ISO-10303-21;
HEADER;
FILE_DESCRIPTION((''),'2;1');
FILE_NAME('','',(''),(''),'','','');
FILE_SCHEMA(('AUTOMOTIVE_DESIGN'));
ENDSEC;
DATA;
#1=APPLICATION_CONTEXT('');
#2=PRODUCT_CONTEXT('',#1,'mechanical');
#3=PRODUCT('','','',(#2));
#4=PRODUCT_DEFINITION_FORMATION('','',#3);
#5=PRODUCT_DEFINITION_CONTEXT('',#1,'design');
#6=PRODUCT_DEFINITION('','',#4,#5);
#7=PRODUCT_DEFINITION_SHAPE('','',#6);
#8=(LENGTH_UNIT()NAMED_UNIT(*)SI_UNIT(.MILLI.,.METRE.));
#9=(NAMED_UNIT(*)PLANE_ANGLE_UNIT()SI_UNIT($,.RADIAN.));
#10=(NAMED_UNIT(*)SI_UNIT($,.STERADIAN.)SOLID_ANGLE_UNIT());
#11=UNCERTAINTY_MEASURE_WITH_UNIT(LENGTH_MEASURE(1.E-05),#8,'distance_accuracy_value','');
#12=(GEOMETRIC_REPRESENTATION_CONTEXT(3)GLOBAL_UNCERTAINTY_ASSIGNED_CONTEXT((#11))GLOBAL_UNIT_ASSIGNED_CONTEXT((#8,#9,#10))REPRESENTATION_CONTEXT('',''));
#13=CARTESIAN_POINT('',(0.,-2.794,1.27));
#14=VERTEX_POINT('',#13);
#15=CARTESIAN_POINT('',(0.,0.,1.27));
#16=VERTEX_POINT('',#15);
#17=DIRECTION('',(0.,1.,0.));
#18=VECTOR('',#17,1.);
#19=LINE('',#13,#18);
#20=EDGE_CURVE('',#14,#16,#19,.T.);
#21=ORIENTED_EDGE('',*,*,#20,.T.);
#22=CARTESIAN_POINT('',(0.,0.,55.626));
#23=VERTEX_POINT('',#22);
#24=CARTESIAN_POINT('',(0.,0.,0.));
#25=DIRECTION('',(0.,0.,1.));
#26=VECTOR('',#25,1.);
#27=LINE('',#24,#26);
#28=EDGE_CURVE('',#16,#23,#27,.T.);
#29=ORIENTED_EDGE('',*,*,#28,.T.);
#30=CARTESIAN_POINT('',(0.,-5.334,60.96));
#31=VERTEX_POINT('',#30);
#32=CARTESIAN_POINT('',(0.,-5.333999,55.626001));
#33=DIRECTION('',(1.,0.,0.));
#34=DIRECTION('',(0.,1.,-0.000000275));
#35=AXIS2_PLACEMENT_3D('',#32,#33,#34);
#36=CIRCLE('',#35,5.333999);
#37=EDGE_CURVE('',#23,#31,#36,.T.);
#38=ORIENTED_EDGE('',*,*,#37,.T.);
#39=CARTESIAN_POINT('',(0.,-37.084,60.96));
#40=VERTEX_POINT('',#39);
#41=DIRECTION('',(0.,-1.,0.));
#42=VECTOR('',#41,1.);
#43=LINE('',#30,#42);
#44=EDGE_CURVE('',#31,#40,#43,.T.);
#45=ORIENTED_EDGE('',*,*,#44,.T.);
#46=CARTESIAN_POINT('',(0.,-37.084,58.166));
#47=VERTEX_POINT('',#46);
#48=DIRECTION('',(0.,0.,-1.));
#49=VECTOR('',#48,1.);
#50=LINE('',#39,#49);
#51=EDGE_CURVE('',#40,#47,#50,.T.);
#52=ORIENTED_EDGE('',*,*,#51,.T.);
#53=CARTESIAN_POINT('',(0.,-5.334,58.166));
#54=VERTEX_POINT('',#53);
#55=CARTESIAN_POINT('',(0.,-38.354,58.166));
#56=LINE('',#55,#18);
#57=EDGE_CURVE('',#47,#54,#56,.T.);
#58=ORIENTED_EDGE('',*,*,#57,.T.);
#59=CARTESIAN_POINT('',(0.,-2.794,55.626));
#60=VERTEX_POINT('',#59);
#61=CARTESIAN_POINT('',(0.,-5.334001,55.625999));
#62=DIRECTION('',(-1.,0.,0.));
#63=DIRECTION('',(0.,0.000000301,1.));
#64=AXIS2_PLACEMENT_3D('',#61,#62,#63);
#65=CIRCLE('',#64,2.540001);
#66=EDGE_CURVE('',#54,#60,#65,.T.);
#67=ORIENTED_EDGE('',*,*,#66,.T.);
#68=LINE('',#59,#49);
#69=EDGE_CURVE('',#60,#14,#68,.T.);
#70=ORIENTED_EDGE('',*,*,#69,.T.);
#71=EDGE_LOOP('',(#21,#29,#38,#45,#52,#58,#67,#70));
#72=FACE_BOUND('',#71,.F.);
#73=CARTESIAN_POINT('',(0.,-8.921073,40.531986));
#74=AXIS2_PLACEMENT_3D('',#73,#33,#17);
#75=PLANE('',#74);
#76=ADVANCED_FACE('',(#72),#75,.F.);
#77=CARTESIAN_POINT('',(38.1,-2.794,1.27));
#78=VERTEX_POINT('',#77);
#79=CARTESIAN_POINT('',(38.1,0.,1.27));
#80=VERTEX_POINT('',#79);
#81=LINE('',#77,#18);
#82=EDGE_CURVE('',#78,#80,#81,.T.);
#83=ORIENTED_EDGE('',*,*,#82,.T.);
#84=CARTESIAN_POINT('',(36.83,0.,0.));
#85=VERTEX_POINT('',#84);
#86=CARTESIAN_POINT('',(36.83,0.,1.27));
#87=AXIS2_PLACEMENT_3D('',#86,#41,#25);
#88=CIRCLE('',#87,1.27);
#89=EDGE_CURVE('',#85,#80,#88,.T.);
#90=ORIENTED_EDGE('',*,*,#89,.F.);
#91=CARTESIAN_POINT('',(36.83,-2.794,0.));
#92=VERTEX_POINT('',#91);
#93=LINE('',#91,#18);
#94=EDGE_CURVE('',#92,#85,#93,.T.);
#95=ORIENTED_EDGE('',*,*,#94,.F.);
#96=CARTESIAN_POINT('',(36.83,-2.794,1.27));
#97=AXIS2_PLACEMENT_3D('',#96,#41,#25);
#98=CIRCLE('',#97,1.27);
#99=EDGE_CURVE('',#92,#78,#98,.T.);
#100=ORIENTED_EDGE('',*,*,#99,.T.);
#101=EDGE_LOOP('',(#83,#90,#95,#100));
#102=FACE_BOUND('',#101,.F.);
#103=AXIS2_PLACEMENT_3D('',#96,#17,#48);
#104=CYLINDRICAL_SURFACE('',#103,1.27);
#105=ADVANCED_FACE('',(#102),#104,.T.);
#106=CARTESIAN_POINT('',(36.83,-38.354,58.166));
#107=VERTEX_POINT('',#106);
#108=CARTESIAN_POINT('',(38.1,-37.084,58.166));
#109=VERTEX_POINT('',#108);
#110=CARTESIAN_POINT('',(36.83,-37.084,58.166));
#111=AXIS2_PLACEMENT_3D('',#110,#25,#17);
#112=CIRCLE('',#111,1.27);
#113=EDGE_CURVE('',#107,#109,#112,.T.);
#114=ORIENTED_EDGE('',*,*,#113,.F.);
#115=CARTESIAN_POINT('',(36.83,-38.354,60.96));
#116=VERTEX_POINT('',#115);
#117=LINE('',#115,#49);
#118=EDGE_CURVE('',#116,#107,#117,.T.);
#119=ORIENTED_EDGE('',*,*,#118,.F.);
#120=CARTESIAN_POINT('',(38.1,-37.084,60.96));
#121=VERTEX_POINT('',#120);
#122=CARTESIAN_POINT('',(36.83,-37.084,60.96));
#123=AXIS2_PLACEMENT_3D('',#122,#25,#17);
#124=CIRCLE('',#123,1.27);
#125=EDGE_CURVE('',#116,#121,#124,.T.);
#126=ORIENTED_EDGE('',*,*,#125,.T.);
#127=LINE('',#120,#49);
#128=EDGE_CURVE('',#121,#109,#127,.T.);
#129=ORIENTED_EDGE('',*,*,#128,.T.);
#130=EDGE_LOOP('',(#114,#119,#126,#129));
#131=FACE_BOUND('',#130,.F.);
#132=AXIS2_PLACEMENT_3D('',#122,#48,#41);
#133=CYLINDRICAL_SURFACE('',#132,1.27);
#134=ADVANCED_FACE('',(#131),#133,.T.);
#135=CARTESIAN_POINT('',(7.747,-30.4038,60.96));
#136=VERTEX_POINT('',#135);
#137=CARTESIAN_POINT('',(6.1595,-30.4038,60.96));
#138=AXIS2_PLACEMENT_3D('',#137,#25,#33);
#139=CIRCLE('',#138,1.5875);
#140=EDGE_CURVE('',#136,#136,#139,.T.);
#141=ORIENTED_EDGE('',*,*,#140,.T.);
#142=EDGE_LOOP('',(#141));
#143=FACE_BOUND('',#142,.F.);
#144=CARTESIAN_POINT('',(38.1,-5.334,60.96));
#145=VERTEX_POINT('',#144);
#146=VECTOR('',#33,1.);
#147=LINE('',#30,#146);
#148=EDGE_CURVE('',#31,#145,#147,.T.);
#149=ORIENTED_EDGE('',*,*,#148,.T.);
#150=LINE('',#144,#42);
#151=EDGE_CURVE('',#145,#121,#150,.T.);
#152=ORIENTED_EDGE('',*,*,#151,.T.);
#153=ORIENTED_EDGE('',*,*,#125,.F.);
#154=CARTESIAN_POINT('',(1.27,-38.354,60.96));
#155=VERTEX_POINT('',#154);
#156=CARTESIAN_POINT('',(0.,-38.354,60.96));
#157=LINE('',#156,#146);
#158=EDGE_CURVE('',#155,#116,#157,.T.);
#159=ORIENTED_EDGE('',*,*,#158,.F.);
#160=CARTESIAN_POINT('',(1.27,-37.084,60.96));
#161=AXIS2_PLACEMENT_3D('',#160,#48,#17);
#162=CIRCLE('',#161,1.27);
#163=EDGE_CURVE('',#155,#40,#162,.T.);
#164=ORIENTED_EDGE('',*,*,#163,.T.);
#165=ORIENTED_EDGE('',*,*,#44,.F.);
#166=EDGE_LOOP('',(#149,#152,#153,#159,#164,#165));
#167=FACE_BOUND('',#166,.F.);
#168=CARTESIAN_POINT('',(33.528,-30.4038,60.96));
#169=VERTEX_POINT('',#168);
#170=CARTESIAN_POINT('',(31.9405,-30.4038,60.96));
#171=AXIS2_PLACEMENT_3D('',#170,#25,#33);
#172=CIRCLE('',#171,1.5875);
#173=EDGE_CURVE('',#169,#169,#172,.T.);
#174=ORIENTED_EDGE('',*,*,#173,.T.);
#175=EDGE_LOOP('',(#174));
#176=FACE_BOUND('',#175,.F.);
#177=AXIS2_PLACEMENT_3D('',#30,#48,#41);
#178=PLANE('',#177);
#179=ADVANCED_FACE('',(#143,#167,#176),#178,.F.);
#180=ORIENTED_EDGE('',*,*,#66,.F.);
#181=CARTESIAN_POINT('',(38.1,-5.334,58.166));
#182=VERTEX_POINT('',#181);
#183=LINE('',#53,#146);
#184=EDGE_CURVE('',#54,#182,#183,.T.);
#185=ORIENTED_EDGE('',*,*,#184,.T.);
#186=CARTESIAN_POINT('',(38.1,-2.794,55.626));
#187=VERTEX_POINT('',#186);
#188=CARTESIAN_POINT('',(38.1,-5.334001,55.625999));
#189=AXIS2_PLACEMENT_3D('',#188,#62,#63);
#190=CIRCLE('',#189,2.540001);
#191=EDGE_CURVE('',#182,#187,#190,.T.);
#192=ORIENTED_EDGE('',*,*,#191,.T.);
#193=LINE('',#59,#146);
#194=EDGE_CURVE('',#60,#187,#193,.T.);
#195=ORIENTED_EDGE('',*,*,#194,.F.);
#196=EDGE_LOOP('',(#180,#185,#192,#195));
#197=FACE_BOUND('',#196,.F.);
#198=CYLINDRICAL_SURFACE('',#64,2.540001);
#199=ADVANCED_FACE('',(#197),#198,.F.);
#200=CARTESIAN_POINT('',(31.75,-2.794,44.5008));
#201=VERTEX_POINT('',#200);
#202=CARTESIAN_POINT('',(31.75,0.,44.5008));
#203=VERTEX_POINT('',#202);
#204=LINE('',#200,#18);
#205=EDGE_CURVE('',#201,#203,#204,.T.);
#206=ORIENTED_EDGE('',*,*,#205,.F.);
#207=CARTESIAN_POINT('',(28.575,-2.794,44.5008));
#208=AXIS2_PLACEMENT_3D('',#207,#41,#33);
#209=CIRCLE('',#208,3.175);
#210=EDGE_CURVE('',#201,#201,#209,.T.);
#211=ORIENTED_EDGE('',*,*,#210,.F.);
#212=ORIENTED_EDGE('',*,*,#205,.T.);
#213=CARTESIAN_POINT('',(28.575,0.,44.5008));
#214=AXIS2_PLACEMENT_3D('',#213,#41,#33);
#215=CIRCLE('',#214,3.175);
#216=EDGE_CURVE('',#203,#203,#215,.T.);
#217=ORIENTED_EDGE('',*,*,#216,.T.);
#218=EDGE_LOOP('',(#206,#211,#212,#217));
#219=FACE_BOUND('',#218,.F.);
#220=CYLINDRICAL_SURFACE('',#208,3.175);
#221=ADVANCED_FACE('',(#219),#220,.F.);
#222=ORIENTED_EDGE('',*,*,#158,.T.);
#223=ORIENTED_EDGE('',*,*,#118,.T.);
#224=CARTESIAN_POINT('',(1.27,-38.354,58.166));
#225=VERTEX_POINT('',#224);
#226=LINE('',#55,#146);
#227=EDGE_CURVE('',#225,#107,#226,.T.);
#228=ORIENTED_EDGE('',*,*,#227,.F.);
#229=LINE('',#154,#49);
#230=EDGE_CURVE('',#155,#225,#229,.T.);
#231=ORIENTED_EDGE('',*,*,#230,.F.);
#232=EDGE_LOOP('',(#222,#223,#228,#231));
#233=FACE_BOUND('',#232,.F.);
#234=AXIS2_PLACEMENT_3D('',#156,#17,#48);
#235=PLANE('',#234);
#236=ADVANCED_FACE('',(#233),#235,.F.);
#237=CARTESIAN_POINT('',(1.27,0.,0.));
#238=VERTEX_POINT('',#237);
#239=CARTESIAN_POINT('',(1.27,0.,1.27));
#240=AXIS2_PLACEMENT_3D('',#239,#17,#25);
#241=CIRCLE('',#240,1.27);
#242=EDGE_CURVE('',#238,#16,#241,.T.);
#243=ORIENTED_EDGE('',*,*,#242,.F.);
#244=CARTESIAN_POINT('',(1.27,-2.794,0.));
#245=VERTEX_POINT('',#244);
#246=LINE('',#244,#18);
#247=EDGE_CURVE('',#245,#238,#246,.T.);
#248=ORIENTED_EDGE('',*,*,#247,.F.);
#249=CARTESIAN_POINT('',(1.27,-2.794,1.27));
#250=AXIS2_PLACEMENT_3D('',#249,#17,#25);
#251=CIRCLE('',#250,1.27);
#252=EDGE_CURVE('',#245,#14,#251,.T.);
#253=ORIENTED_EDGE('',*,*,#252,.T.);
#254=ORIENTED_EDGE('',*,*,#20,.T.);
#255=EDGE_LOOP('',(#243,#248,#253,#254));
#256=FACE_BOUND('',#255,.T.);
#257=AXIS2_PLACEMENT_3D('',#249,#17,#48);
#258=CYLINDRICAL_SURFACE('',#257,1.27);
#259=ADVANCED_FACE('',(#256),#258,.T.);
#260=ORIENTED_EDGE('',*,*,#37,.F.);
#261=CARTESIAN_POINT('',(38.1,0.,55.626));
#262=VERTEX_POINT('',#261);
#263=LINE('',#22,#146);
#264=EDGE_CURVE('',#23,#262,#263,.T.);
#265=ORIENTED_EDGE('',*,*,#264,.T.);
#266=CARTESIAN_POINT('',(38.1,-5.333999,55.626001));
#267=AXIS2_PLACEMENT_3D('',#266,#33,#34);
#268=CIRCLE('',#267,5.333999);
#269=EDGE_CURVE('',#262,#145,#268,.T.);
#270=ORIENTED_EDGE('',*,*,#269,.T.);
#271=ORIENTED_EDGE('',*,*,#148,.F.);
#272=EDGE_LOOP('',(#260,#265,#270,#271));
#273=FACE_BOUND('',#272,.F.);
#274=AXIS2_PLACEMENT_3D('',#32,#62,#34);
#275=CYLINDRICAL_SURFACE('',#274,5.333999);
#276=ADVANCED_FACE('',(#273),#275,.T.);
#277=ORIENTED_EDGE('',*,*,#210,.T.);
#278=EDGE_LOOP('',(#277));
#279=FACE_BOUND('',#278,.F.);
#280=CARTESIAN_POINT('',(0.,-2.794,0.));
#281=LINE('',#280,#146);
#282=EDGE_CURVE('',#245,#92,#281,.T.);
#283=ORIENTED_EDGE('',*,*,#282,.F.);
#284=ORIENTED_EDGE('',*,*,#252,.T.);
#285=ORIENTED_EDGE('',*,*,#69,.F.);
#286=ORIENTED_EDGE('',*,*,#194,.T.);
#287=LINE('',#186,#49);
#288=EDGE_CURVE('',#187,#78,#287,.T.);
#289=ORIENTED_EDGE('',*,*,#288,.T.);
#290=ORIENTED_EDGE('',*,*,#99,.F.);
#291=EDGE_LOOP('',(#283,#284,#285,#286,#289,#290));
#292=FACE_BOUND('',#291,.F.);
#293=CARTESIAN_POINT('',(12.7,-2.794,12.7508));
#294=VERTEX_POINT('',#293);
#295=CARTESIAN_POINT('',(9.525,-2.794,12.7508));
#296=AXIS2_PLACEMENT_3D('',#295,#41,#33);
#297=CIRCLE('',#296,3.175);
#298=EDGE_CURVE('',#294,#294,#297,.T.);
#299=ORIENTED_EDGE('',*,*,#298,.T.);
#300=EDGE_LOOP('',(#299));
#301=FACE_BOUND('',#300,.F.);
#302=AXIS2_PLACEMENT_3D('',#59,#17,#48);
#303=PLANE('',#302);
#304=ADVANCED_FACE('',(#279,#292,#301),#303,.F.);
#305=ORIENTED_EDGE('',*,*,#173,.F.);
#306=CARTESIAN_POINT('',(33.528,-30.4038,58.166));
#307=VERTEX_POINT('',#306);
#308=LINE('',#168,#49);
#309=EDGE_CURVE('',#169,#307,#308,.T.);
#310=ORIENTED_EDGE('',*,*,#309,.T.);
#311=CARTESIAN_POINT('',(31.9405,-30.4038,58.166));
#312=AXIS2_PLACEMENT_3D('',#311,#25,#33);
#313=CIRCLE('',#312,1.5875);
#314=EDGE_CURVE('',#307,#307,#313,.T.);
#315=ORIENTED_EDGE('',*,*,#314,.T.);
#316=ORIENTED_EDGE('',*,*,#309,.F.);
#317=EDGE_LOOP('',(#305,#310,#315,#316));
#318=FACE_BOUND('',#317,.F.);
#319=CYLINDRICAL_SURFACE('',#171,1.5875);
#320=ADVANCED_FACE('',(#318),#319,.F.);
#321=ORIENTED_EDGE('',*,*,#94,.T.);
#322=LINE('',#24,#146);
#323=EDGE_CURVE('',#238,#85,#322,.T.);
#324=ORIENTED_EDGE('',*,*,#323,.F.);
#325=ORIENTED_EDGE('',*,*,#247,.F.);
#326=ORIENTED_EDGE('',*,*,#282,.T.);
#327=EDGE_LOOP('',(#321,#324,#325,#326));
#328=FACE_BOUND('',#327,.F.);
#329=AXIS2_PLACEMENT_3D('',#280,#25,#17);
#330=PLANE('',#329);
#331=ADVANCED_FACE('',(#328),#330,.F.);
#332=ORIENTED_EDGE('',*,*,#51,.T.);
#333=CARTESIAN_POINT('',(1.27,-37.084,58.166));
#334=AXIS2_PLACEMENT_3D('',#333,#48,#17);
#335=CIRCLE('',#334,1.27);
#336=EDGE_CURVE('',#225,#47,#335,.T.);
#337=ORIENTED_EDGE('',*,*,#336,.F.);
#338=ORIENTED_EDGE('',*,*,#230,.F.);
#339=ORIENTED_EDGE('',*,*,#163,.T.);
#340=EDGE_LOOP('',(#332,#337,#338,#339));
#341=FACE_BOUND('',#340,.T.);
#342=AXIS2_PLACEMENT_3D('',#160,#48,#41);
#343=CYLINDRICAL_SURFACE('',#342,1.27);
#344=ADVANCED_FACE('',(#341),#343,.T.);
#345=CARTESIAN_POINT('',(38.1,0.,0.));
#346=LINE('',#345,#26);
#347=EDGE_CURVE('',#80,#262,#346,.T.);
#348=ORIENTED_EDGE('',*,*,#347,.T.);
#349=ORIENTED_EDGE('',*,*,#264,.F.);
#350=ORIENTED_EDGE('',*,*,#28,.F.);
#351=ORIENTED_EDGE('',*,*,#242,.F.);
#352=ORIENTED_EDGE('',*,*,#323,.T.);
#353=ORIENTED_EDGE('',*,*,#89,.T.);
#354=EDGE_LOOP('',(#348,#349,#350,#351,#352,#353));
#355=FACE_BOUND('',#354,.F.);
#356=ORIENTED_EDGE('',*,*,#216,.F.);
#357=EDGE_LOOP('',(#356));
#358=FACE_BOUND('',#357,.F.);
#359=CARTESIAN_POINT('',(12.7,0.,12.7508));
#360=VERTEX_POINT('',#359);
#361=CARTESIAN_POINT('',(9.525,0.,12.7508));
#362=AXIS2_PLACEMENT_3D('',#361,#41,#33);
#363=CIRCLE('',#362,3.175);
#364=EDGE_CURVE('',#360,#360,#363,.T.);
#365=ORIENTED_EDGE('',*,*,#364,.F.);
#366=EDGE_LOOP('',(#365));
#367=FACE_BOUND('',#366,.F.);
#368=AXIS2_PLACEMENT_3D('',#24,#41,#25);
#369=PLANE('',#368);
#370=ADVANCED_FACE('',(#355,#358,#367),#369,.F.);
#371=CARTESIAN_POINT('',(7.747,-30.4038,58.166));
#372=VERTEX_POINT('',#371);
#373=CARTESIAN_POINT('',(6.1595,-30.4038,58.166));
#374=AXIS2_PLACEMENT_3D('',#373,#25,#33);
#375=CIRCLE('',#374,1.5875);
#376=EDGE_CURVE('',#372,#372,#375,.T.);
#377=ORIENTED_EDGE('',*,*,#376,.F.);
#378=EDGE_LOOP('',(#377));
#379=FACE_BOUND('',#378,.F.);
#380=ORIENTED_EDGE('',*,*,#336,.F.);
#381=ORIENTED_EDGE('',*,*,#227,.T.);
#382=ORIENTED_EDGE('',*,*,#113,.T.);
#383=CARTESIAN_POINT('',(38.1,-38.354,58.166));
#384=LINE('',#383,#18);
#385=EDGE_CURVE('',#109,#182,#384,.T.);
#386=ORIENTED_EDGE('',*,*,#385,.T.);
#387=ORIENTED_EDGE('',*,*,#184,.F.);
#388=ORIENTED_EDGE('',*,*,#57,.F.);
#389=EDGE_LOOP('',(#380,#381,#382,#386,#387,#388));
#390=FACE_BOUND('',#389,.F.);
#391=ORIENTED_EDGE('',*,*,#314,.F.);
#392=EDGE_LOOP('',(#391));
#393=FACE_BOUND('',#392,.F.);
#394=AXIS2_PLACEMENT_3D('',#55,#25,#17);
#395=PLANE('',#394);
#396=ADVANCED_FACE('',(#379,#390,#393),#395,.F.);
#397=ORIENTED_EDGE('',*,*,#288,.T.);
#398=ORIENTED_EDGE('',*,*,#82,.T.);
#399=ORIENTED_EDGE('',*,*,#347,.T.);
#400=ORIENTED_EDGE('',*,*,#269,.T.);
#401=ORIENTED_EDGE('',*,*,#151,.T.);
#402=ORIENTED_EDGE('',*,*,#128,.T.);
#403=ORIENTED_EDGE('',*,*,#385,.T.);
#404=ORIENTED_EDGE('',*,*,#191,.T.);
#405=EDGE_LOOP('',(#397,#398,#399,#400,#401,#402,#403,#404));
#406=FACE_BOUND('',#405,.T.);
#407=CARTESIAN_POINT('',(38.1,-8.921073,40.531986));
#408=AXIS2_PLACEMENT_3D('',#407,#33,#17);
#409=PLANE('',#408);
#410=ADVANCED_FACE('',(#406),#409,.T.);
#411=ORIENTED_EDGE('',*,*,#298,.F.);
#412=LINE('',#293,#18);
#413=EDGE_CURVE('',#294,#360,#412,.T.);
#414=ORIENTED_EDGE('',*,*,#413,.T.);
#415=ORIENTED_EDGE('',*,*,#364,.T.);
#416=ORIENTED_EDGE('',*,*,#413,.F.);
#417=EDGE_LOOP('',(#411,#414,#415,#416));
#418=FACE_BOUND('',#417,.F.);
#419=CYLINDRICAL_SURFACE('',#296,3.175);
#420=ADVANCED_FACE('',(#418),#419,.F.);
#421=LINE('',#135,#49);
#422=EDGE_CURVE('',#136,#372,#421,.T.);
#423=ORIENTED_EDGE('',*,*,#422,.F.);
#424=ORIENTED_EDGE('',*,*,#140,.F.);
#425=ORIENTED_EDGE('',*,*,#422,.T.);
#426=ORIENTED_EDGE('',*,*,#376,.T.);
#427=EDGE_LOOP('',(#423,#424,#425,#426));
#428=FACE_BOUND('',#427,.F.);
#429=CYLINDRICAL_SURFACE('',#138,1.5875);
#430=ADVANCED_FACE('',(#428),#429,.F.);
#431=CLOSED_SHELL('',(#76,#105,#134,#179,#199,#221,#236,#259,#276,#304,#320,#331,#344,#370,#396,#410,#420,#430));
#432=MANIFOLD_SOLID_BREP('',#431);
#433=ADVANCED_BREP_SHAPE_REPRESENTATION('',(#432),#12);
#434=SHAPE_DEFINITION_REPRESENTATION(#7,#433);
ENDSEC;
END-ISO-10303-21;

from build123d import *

# Parameters (mm, degrees)
F1_DEPTH = 38.1
F2_R     = 1.27
F3_R     = 1.5875
F4_DEPTH = 2.794
F5_R     = 3.175
F6_DEPTH = 2.794


with BuildPart() as f1:
    # F0 (on Right) → F1 (new body)
    with BuildSketch(Plane.YZ):
        with BuildLine():
            Line((-2.794, 0), (0, 0))
            Line((0, 0), (0, 55.626))
            ThreePointArc((0, 55.626), (-1.562292, 59.397708), (-5.334, 60.96))
            Line((-5.334, 60.96), (-38.354, 60.96))
            Line((-38.354, 60.96), (-38.354, 58.166))
            Line((-38.354, 58.166), (-5.334, 58.166))
            ThreePointArc((-5.334, 58.166), (-3.537949, 57.422051), (-2.794, 55.626))
            Line((-2.794, 55.626), (-2.794, 0))
        make_face()
    extrude(amount=F1_DEPTH)

    # F2
    f2_edges = [f1.edges().sort_by_distance(p)[0] for p in [
        (0, -38.354, 59.563),
        (38.1, -38.354, 59.563),
        (38.1, -1.397, 0),
        (0, -1.397, 0),
    ]]
    fillet(f2_edges, radius=F2_R)

    # F3 (on face) → F4 (cut, through all)
    with BuildSketch(Plane.XY.offset(60.96)):
        with Locations((31.9405, -30.4038)):
            Circle(F3_R)
        with Locations((6.1595, -30.4038)):
            Circle(F3_R)
    extrude(amount=-F4_DEPTH, mode=Mode.SUBTRACT)

    # F5 (on face) → F6 (cut, through all)
    with BuildSketch(Plane.XZ.offset(2.794)):
        with Locations((28.575, 44.5008)):
            Circle(F5_R)
        with Locations((9.525, 12.7508)):
            Circle(F5_R)
    extrude(amount=-F6_DEPTH, mode=Mode.SUBTRACT)


solid = f1.part
